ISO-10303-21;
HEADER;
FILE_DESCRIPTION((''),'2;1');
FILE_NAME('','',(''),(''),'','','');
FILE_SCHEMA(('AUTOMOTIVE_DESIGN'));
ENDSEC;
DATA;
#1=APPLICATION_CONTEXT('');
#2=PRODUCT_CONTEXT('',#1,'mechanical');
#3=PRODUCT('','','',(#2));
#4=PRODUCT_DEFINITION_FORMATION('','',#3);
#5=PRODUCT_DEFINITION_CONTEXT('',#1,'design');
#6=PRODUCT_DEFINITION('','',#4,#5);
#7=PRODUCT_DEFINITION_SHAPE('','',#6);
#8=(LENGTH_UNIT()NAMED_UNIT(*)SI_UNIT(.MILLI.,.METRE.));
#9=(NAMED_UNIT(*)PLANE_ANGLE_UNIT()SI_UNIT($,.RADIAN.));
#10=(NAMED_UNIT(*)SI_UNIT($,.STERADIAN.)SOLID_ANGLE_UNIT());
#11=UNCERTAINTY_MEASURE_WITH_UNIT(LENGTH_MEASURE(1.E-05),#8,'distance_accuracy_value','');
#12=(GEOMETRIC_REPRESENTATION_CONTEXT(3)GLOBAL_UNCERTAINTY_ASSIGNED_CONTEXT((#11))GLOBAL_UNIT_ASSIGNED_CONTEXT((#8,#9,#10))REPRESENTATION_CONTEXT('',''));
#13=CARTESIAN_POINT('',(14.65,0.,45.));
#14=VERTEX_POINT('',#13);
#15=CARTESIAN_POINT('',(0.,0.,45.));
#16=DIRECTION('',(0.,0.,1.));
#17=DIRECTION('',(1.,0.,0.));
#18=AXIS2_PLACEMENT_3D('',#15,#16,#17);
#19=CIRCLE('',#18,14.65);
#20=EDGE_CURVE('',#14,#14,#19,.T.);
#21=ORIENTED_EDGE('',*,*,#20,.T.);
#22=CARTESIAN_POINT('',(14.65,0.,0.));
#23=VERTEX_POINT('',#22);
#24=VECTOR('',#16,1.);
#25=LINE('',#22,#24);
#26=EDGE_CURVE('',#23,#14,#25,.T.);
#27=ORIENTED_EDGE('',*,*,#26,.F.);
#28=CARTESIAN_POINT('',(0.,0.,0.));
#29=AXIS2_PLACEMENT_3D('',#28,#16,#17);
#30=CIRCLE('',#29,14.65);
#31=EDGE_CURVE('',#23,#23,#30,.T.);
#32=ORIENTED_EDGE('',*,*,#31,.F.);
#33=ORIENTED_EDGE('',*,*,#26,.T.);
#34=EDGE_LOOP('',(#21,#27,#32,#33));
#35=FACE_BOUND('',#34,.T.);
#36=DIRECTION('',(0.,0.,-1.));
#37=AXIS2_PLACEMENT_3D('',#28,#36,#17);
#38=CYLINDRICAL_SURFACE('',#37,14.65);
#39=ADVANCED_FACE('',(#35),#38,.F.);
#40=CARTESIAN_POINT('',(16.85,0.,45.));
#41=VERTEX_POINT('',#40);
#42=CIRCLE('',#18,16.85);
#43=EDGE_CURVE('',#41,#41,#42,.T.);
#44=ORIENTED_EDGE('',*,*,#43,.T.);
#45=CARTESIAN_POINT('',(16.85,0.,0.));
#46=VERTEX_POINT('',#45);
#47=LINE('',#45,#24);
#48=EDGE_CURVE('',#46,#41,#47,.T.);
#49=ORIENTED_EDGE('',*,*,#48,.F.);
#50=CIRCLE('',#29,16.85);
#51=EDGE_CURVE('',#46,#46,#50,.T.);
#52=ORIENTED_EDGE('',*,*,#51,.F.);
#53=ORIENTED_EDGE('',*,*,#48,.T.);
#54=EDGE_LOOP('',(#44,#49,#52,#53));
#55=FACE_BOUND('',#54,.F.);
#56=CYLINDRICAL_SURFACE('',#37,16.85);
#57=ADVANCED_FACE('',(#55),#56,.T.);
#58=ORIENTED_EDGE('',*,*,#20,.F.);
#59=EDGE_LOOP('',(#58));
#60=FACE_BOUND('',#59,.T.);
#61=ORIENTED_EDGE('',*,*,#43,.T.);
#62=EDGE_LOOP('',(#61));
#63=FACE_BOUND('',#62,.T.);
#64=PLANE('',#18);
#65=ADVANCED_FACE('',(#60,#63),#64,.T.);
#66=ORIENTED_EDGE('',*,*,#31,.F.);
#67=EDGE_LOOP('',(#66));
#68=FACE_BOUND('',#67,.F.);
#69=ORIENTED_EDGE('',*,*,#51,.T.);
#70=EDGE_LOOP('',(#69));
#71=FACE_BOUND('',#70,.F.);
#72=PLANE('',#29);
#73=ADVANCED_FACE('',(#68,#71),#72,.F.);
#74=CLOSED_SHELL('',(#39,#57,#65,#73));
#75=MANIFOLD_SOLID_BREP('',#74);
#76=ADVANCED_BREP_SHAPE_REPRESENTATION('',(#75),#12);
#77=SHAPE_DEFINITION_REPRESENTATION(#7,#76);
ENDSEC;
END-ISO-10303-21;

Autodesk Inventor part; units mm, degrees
ref_plane "YZ Plane" through (0, 0, 0) normal (1, 0, 0) x (0, 1, 0)
ref_plane "XZ Plane" through (0, 0, 0) normal (0, 1, 0) x (-1, 0, 0)
ref_plane "XY Plane" through (0, 0, 0) normal (0, 0, 1) x (1, 0, 0)
sketch "Sketch1" plane through (0, 0, 0) normal (0, 0, 1) x (1, 0, 0)
  circle A0 centre (0, 0) radius 14.65
  circle A1 centre (0, 0) radius 16.85
  dimension "d0" = 29.3
  dimension "d1" = 33.7
extrude "Extrusion2" add sketch "Sketch1" along normal blind 45
properties part number "Circle_TestFit_V1"
